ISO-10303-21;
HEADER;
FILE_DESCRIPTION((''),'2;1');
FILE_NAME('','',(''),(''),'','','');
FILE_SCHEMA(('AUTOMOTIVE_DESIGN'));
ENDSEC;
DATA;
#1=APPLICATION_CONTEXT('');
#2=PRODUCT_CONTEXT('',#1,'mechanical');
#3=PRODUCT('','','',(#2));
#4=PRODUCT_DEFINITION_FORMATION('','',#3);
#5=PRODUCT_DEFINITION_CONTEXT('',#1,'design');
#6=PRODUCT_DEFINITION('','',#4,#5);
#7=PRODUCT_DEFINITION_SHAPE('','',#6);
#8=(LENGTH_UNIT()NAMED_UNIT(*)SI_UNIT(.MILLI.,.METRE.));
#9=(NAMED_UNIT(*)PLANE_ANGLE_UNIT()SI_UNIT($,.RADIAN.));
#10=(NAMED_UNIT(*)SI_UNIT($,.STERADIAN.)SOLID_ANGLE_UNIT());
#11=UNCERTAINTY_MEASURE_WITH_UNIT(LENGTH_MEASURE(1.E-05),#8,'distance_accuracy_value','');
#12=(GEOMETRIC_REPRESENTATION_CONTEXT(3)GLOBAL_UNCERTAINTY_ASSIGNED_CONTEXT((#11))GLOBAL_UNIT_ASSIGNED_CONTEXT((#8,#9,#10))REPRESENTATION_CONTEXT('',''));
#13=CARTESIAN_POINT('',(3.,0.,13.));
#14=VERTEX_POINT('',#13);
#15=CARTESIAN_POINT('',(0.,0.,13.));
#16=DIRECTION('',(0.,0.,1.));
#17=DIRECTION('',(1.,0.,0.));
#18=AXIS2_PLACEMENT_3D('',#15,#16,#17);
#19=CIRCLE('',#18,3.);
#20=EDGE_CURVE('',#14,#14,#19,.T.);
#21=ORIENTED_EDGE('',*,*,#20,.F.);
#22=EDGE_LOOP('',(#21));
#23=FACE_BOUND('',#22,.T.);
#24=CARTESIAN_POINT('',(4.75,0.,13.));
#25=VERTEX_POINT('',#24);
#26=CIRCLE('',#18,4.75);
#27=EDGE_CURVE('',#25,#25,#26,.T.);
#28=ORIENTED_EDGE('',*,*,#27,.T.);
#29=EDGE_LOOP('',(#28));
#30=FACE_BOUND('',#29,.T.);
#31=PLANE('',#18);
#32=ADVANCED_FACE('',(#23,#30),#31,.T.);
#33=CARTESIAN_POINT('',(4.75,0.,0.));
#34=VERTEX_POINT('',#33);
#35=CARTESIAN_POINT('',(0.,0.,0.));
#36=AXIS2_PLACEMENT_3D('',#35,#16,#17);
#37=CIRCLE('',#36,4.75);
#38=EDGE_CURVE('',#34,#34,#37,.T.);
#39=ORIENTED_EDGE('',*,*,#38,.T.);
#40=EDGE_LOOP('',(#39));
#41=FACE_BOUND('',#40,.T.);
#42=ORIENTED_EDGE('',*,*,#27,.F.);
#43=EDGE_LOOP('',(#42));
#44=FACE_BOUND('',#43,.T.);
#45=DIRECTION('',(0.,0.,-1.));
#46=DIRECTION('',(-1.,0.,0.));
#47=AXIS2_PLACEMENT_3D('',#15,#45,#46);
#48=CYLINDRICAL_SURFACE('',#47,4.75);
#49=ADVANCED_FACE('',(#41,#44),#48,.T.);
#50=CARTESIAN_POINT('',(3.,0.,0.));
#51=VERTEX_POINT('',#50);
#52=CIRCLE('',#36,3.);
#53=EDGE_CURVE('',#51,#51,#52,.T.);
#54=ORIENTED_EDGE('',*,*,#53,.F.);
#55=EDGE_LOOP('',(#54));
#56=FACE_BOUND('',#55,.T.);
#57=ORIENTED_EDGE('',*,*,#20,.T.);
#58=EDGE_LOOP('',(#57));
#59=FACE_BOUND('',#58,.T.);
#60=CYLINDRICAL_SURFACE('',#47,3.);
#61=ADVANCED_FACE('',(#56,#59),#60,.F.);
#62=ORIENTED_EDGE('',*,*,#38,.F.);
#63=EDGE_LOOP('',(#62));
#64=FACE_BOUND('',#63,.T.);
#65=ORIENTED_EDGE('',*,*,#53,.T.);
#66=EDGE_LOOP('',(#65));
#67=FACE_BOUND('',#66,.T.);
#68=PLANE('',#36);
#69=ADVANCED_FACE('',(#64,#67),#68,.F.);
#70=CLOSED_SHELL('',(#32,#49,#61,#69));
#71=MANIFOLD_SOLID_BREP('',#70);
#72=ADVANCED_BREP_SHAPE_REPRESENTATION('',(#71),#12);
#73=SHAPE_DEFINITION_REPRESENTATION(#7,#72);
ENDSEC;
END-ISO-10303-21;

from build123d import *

# Parameters (mm, degrees)
CROQUIS1_R              = 4.75
CROQUIS1_R_2            = 3
SALIENTE_EXTRUIR1_DEPTH = 13


with BuildPart() as part:
    # Croquis1 → Saliente-Extruir1 (new body)
    with BuildSketch(Plane.XY):
        Circle(CROQUIS1_R)
        Circle(CROQUIS1_R_2, mode=Mode.SUBTRACT)
    extrude(amount=SALIENTE_EXTRUIR1_DEPTH)


solid = part.part
